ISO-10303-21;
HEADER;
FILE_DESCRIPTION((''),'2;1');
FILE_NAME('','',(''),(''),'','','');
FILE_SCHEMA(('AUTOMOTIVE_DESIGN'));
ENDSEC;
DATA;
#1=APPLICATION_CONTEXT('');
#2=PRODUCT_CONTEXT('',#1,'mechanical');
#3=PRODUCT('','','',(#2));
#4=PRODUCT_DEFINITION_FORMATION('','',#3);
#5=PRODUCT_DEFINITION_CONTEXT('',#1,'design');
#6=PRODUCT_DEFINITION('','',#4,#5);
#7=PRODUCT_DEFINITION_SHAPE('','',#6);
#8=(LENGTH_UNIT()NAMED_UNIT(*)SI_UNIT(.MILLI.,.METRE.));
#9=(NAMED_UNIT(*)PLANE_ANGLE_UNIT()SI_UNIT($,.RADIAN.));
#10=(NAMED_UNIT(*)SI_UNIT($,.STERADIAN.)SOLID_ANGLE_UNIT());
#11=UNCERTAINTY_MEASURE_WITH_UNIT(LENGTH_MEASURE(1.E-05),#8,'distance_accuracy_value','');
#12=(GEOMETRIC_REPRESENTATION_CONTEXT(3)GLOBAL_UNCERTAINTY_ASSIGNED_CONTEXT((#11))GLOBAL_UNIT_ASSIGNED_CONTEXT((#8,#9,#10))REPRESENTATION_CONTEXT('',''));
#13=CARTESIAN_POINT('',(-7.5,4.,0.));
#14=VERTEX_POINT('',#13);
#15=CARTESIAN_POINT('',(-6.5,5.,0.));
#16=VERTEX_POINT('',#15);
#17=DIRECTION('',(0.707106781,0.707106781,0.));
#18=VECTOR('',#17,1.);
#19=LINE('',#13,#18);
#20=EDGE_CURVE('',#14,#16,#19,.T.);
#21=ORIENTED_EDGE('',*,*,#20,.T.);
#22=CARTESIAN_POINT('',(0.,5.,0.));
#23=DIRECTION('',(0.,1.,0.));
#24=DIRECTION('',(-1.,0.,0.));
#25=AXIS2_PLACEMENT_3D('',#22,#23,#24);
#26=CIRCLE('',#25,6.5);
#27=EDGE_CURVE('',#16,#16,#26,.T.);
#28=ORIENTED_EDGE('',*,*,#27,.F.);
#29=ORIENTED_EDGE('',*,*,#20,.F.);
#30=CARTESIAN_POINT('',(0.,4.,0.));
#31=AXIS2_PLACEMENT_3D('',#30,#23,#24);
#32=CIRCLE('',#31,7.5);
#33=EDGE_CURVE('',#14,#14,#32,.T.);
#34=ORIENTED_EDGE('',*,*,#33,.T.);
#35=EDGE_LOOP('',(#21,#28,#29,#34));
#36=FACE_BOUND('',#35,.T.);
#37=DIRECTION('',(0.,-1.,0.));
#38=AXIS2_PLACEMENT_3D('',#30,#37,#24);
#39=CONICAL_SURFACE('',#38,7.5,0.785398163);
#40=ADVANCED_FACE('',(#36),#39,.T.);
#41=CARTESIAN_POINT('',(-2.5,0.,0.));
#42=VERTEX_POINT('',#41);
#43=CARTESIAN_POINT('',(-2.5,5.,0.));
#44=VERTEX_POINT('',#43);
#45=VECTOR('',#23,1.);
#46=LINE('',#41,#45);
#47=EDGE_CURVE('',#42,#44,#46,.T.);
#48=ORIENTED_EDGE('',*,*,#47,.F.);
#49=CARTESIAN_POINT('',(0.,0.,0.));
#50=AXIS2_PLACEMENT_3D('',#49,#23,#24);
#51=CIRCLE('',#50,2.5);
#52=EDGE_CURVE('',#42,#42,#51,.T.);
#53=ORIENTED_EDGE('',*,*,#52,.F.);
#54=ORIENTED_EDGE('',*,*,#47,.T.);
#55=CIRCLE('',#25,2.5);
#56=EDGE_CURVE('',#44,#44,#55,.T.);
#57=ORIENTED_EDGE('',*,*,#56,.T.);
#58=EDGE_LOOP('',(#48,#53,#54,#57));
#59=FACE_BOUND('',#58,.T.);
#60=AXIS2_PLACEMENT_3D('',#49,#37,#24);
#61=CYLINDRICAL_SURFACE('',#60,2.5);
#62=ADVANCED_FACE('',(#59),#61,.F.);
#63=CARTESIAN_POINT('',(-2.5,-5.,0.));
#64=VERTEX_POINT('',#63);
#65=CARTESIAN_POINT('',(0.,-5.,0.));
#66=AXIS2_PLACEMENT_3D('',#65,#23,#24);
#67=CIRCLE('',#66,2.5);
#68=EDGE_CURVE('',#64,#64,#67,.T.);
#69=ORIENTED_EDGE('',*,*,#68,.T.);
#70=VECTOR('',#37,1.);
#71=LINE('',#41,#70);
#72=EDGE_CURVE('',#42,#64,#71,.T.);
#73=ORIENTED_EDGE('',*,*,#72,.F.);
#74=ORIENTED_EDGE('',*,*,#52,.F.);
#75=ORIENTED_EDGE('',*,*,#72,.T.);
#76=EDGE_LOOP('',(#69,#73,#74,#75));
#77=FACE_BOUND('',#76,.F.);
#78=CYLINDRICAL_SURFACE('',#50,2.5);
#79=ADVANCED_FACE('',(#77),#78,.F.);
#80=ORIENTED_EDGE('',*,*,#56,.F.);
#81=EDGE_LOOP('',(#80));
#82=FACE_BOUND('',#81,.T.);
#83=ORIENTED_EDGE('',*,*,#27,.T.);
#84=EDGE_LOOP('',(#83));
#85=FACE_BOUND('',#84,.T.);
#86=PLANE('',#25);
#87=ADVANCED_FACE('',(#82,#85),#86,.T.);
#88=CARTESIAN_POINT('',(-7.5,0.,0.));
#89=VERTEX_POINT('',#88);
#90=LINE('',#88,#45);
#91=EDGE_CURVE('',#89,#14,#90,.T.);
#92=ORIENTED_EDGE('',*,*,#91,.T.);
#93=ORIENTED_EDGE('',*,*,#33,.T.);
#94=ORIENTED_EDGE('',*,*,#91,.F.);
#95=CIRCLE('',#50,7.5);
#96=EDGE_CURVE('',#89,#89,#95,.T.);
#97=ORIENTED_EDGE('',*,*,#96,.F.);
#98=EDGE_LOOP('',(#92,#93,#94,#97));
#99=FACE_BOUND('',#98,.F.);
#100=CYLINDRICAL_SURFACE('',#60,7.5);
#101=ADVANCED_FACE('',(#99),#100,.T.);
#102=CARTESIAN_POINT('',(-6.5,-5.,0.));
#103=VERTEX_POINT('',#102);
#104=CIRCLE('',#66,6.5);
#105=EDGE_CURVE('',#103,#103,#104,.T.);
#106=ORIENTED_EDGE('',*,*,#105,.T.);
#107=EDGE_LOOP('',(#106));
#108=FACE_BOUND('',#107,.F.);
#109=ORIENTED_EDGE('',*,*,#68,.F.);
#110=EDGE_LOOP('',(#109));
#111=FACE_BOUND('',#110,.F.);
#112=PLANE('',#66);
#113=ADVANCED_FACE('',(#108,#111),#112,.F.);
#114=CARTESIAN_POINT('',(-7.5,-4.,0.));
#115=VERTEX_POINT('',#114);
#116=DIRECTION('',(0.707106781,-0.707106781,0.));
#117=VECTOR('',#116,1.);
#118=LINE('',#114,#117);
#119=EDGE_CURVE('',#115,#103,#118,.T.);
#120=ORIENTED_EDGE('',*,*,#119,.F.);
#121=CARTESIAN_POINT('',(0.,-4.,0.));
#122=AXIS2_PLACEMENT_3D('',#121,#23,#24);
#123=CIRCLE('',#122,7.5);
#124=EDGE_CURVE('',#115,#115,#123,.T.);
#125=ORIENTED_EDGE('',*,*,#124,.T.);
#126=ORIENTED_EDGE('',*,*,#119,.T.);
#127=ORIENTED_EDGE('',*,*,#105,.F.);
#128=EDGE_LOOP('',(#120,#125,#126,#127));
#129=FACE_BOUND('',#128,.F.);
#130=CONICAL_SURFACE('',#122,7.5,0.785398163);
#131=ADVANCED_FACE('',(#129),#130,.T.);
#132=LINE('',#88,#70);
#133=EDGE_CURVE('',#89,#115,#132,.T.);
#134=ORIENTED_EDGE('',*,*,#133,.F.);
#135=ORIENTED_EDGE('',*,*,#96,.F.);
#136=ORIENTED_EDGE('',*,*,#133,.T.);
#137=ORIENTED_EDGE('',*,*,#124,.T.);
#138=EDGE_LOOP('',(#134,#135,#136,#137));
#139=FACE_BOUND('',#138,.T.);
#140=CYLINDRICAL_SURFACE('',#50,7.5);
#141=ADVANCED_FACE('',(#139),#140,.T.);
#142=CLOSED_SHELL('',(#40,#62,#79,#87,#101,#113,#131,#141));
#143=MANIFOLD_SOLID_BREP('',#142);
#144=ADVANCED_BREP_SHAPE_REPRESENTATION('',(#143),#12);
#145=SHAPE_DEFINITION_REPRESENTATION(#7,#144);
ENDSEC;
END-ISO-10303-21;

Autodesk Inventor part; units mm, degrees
ref_plane "YZ Plane" through (0, 0, 0) normal (1, 0, 0) x (0, 1, 0)
ref_plane "XZ Plane" through (0, 0, 0) normal (0, 1, 0) x (-1, 0, 0)
ref_plane "XY Plane" through (0, 0, 0) normal (0, 0, 1) x (1, 0, 0)
sketch "Sketch1" plane through (0, 0, 0) normal (0, 1, 0) x (-1, 0, 0)
  circle A0 centre (0, 0) radius 7.5
  circle A1 centre (0, 0) radius 2.5
  dimension "d0" = 15
  dimension "d1" = 5
extrude "Extrusion1" add sketch "Sketch1" along normal mid plane 10
chamfer "Chamfer1" distance 1 angle 45 2 edges at (7.5, 5, 0) (7.5, -5, 0)
properties part number "wheel"
